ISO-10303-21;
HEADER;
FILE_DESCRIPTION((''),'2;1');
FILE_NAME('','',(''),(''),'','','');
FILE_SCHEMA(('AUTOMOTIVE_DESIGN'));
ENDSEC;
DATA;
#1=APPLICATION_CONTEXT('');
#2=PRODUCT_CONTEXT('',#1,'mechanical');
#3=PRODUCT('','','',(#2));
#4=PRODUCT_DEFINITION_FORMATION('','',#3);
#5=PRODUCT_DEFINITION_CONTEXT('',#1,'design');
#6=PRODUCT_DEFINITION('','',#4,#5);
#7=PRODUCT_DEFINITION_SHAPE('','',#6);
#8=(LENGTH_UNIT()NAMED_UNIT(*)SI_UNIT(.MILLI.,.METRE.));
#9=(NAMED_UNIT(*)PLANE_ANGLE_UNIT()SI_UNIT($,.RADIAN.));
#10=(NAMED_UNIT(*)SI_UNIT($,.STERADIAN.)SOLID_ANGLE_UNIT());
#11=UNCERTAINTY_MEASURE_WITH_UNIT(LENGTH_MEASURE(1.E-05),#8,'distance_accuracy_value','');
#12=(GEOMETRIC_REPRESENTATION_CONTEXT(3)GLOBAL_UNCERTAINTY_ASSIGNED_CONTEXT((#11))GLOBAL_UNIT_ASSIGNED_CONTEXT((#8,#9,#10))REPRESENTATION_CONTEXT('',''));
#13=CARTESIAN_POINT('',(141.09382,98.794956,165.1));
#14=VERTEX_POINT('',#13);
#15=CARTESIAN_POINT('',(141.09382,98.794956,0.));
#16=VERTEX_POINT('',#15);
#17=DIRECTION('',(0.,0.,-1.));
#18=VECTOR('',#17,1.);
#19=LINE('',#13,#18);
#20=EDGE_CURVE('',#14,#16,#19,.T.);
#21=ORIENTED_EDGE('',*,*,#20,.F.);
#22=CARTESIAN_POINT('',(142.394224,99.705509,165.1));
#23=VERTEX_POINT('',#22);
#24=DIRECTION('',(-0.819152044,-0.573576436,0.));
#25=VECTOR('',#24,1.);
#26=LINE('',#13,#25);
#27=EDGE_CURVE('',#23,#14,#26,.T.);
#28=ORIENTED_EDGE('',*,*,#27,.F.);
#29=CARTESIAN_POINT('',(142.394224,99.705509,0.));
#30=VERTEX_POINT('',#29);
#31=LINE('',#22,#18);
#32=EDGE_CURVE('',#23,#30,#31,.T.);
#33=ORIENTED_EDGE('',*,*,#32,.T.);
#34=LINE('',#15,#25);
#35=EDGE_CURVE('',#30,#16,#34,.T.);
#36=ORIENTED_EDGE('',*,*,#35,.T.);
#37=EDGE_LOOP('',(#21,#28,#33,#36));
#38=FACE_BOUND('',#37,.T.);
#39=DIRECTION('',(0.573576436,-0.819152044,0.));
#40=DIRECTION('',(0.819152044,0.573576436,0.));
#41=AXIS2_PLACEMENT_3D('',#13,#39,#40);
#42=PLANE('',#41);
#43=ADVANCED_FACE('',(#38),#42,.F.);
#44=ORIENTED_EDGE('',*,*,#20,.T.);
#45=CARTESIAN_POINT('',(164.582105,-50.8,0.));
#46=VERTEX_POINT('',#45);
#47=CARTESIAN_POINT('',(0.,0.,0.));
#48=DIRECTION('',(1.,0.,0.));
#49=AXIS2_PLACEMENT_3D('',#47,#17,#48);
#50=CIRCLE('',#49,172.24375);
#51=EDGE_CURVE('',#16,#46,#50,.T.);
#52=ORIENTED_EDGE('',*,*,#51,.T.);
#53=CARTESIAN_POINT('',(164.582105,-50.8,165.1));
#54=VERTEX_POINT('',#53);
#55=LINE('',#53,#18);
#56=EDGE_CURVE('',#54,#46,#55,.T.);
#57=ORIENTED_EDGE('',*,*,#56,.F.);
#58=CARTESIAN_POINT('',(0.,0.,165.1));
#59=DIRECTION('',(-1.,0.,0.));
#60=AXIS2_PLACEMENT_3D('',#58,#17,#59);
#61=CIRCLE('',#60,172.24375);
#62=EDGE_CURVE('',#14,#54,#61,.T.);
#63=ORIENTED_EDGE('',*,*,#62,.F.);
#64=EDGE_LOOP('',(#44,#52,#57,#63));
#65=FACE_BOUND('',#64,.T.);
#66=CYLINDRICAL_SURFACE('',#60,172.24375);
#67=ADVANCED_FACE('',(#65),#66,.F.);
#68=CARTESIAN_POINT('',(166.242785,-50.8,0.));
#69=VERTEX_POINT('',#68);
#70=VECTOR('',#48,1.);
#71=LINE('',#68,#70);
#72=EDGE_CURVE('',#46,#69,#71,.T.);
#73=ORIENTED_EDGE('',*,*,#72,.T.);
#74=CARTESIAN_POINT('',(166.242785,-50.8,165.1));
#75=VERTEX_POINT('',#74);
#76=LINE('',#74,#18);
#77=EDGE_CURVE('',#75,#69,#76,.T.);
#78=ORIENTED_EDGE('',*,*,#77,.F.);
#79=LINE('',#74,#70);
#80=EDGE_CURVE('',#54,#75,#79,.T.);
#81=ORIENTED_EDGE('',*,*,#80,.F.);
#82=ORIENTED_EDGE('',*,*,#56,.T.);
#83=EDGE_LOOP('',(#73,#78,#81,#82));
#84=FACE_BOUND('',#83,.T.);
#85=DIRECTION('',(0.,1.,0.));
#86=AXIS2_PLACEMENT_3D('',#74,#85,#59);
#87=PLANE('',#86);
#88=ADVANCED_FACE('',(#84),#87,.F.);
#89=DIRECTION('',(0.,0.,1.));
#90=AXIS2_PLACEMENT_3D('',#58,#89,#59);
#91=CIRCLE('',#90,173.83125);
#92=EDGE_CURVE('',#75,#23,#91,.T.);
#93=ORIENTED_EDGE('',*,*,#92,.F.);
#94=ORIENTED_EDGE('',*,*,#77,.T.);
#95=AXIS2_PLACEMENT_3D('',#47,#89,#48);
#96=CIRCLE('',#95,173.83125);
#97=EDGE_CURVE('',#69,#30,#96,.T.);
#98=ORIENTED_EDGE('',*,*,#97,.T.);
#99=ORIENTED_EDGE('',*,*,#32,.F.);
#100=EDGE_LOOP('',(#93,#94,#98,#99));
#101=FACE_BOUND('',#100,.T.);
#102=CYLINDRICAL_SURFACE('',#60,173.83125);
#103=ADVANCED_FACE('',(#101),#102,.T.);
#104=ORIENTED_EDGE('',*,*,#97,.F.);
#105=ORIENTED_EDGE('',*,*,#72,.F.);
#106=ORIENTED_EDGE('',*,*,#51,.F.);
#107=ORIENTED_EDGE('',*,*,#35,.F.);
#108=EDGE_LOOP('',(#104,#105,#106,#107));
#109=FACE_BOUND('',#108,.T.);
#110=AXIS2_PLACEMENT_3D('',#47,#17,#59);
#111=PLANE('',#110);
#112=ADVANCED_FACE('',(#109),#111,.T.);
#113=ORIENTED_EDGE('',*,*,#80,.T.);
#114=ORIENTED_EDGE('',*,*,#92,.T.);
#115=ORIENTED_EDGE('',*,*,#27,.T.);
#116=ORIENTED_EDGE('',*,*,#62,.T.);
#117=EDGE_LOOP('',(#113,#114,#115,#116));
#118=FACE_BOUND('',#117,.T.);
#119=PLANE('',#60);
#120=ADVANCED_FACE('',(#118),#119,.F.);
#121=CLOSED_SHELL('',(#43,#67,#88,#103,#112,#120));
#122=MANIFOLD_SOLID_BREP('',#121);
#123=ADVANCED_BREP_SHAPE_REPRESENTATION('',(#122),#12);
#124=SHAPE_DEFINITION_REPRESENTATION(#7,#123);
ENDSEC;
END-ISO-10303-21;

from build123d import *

# Parameters (mm, degrees)
BOSS_EXTRUDE1_DEPTH = 165.1


with BuildPart() as part:
    # Sketch1 → Boss-Extrude1 (new body)
    with BuildSketch(Plane.XY):
        with BuildLine():
            Line((141.093819929, 98.794956309), (142.394223799, 99.705508901))
            ThreePointArc((142.394223799, 99.705508901), (165.785809695, 52.27206501), (173.83125, 0))
            ThreePointArc((173.83125, 0), (171.923667002, -25.681826284), (166.242784735, -50.8))
            Line((166.242784735, -50.8), (164.582105388, -50.8))
            ThreePointArc((164.582105388, -50.8), (170.31756872, -25.687257532), (172.24375, 0))
            ThreePointArc((172.24375, 0), (164.271784035, 51.794694553), (141.093819929, 98.794956309))
        make_face()
    extrude(amount=BOSS_EXTRUDE1_DEPTH)


solid = part.part
